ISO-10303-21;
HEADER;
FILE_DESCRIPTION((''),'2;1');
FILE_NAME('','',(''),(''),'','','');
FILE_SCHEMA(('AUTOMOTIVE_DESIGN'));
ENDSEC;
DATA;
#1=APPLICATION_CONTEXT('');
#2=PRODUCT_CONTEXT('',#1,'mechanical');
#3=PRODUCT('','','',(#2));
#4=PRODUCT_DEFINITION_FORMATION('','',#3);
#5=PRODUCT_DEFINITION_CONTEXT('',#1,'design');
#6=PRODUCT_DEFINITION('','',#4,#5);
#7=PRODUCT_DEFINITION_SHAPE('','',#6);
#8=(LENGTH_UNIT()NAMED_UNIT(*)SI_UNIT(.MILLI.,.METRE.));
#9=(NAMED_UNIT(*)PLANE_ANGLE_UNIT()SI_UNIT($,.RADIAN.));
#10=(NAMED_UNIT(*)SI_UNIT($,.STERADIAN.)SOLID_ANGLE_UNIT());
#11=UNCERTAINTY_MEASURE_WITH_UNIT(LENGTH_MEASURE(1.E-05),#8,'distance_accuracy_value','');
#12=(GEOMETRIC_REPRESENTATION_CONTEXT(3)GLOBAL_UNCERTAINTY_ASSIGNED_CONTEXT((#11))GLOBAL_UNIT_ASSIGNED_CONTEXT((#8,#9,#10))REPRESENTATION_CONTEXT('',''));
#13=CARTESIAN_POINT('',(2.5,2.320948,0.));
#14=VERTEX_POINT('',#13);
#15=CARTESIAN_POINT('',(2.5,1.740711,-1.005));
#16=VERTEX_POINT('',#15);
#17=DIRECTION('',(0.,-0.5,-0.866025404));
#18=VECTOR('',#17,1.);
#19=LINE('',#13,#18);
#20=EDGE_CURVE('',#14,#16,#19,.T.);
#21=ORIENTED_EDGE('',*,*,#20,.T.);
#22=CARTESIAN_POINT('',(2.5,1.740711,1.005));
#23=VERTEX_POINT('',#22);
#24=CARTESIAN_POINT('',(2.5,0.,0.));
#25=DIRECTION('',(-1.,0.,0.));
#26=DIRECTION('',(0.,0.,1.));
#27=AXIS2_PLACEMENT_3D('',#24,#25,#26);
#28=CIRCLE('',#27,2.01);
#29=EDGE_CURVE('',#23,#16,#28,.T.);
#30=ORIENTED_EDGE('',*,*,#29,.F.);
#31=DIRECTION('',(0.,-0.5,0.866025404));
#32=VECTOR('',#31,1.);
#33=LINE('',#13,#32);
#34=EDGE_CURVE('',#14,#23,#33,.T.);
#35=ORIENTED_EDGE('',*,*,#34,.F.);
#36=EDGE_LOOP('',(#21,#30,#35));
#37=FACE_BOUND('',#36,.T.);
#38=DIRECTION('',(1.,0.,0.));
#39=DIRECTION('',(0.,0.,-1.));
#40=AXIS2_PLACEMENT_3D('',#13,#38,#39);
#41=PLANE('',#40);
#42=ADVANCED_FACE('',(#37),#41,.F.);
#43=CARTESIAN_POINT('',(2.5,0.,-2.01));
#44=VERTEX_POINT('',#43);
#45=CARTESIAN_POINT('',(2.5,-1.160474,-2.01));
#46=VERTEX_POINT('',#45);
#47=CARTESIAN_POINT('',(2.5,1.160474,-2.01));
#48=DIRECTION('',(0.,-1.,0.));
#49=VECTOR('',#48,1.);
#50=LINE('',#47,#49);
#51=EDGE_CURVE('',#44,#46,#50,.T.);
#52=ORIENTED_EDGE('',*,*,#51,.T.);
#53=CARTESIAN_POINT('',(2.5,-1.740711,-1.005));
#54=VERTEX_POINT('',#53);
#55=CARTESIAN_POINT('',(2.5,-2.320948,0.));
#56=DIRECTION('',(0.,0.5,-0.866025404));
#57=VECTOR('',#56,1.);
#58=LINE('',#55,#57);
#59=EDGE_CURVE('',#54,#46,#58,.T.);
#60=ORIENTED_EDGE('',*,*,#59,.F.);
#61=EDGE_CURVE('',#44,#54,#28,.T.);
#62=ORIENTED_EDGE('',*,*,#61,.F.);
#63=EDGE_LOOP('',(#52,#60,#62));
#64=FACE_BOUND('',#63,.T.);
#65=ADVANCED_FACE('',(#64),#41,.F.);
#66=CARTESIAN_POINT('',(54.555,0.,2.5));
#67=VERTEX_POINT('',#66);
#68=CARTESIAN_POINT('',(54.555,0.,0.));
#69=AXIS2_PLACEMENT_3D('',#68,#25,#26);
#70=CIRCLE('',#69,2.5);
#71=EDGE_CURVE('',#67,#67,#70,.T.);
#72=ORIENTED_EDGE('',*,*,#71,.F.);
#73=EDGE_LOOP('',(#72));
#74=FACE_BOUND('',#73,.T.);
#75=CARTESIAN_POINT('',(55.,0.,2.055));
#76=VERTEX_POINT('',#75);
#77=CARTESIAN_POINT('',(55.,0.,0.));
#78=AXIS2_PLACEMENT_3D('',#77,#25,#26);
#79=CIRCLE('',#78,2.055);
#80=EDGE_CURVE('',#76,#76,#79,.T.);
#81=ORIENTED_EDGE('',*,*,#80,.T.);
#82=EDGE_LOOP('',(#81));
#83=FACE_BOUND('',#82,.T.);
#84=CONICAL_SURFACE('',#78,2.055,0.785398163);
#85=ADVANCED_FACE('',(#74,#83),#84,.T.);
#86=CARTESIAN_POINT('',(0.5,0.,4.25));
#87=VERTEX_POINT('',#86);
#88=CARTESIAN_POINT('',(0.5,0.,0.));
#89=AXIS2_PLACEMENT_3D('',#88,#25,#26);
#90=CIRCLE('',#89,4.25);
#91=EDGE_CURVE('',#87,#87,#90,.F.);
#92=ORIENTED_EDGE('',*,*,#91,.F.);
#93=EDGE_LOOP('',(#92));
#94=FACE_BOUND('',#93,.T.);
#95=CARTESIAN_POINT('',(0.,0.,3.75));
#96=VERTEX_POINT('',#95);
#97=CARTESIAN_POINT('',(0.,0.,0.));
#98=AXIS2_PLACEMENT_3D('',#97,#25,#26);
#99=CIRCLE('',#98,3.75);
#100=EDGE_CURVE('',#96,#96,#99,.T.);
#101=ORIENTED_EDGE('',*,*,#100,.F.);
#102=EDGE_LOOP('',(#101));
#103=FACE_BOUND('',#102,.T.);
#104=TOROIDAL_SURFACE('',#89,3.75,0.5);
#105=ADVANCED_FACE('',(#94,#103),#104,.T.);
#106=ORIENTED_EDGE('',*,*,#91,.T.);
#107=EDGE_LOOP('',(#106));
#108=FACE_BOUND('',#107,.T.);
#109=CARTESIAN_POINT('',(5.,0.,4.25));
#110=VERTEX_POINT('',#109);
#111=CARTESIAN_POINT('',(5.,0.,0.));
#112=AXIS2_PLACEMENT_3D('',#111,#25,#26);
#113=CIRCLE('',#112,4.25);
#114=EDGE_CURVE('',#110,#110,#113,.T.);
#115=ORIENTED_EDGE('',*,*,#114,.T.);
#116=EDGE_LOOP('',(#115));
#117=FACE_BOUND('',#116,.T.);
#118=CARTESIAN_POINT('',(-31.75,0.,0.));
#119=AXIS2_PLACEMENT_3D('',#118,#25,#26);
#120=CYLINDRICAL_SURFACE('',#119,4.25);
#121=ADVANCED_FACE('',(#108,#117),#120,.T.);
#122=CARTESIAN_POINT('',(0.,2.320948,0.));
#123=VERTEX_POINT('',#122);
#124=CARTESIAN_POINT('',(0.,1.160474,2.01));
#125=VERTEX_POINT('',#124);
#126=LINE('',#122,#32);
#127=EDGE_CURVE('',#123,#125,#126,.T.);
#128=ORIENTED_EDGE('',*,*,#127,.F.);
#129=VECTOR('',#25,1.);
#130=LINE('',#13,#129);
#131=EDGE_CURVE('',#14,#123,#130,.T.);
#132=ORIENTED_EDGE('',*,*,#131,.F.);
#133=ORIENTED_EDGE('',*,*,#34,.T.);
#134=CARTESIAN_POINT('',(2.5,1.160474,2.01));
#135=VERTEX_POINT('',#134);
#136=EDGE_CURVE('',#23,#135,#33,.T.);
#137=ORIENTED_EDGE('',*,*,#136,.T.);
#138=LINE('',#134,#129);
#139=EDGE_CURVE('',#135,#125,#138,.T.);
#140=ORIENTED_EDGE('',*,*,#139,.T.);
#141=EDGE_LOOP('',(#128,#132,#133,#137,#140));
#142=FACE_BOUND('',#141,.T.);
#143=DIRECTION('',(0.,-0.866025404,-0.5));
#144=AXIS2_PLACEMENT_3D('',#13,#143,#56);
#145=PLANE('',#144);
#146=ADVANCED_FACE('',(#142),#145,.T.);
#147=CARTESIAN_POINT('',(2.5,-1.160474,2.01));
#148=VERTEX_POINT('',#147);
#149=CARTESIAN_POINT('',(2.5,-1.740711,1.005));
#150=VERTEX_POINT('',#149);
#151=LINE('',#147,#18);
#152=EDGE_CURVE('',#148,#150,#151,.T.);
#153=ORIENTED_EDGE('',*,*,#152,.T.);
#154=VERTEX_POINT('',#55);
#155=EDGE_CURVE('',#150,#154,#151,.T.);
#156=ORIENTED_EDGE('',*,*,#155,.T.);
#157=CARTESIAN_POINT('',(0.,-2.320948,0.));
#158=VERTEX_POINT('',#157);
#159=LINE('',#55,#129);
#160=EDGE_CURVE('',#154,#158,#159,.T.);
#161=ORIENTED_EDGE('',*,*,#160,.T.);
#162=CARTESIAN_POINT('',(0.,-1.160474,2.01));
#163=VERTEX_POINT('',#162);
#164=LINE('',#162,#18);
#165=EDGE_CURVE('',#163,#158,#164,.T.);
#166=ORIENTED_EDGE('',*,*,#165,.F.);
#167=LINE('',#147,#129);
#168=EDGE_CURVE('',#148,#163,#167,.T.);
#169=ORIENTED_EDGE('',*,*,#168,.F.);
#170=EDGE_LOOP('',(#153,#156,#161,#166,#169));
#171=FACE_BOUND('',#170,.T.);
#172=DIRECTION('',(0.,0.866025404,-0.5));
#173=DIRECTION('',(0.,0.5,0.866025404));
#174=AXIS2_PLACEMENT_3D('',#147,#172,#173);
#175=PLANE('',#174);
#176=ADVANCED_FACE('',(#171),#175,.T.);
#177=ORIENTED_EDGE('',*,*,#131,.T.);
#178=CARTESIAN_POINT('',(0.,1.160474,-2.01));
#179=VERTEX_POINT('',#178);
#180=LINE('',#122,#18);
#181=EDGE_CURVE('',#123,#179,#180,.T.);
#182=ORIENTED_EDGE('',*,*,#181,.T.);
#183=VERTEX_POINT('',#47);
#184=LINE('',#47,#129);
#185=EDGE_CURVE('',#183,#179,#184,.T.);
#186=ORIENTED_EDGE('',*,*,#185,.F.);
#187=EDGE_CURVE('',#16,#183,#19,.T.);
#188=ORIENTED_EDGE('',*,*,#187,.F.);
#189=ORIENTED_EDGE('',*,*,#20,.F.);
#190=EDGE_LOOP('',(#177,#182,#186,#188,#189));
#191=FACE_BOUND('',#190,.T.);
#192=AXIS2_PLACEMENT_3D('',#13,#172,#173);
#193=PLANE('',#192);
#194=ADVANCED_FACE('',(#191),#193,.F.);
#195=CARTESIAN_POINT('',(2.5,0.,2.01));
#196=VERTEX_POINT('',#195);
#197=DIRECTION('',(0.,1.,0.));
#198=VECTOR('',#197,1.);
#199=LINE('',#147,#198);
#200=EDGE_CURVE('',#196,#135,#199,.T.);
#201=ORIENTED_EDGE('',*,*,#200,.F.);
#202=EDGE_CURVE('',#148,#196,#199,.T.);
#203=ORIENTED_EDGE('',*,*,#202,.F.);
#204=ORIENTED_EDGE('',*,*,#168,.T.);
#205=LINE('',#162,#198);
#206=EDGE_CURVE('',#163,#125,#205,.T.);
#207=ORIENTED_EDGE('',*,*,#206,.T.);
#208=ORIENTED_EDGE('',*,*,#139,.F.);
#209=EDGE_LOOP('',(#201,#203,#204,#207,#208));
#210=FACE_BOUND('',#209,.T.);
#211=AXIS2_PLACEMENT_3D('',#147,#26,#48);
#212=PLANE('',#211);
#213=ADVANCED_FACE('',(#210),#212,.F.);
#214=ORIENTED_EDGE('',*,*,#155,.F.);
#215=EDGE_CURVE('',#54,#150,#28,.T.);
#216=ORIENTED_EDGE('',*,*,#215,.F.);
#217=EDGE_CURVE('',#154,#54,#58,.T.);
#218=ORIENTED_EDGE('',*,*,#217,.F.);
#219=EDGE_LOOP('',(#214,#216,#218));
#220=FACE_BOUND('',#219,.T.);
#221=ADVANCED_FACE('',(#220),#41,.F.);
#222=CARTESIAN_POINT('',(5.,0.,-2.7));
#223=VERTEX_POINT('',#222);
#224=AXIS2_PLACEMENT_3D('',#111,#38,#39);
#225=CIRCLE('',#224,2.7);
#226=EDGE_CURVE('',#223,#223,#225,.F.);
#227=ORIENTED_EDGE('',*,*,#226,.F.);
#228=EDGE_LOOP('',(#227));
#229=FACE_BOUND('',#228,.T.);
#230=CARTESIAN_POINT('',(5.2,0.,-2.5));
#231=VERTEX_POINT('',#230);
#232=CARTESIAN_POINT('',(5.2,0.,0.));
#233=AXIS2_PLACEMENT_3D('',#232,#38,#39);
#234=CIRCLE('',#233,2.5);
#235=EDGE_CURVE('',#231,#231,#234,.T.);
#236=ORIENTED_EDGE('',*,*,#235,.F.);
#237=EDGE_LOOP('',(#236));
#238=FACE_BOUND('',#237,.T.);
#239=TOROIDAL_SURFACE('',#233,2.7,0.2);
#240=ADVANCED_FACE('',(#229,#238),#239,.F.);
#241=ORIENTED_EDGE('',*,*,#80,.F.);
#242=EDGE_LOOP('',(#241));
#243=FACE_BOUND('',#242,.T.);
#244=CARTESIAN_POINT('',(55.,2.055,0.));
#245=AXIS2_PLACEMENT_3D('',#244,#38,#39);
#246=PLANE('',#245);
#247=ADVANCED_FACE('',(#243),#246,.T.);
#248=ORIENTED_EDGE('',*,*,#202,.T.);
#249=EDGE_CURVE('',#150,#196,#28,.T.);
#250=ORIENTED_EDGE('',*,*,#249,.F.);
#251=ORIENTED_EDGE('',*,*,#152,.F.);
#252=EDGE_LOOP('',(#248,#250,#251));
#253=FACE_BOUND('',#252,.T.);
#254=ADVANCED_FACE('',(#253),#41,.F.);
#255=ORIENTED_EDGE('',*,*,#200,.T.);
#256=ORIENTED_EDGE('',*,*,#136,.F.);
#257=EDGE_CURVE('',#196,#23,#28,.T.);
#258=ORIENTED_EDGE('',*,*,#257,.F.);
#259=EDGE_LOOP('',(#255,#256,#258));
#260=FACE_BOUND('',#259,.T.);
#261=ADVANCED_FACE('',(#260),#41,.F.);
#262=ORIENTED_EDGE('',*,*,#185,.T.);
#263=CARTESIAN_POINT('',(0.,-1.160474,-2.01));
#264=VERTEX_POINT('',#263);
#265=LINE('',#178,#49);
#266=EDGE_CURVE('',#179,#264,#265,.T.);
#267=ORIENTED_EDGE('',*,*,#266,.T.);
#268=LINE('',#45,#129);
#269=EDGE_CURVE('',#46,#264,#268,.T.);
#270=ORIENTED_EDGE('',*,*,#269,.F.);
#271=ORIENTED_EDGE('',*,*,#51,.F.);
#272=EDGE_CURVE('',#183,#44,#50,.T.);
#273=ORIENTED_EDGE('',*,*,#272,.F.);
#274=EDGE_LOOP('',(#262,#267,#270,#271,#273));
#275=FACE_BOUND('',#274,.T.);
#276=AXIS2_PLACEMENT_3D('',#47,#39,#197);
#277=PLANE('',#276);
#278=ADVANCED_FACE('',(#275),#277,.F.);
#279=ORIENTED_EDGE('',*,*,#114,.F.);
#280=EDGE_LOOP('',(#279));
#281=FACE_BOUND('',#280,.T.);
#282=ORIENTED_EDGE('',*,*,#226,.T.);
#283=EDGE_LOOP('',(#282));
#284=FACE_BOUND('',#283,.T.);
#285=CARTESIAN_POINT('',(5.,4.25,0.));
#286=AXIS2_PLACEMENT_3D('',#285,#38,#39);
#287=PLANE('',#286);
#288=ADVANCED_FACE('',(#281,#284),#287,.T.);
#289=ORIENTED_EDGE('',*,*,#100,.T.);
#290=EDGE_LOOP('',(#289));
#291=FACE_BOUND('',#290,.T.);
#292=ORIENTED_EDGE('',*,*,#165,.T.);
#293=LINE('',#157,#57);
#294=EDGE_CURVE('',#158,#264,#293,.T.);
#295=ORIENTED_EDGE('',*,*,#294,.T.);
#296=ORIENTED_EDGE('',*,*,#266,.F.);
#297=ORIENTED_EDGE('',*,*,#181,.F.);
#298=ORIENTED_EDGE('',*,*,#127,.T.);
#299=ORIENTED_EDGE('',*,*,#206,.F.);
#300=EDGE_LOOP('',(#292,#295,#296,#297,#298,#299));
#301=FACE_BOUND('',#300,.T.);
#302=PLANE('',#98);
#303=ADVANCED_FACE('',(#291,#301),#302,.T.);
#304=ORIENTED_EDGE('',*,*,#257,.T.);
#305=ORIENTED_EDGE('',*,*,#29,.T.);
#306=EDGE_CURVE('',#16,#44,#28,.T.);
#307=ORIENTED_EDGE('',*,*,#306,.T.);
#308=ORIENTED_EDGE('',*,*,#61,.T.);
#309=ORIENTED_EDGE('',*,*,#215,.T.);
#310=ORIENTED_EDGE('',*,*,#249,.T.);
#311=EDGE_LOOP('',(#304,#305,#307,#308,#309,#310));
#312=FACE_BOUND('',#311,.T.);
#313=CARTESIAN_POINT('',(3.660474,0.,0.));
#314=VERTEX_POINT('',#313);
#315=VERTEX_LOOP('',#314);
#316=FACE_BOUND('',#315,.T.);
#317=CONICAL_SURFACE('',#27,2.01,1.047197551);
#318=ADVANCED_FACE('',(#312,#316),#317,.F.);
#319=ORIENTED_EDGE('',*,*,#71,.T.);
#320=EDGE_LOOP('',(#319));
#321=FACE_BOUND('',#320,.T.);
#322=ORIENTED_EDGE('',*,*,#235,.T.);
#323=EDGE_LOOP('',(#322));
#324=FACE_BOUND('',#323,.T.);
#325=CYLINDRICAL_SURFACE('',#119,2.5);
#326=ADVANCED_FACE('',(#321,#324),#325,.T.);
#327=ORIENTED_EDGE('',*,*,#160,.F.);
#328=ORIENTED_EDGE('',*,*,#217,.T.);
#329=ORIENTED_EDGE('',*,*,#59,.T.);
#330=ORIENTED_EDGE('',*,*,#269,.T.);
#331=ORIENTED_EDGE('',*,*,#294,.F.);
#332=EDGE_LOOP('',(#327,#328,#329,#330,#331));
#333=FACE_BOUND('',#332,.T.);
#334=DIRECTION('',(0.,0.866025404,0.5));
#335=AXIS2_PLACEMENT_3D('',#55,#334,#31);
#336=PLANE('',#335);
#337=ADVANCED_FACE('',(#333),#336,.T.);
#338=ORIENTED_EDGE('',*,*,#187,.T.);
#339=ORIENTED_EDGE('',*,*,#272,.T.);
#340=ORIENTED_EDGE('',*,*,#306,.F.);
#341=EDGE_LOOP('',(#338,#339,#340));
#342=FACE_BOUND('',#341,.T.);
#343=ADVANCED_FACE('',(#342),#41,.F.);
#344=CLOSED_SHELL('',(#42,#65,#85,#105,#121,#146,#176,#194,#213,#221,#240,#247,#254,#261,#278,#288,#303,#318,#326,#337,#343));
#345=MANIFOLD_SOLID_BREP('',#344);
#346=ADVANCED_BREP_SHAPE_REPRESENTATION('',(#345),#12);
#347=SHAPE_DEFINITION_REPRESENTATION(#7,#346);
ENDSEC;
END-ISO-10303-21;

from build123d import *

# Parameters (mm, degrees)
FILLET1_R   = 0.2
FILLET2_R   = 0.5
HEX_2_DEPTH = 2.5


with BuildPart() as part:
    # BodySke → Base-Revolve (revolve)
    with BuildSketch(Plane.XY):
        Polygon((0, 0), (0, 4.25), (5, 4.25), (5, 2.5), (54.555, 2.5), (55, 2.055), (55, 0), align=None)
    revolve(axis=Axis((-31.75, 0, 0), (1, 0, 0)))

    # Fillet1
    fillet1_edges = [part.edges().sort_by_distance(p)[0] for p in [
        (5, -2.5, 0),
    ]]
    fillet(fillet1_edges, radius=FILLET1_R)

    # Fillet2
    fillet2_edges = [part.edges().sort_by_distance(p)[0] for p in [
        (0, -4.25, 0),
    ]]
    fillet(fillet2_edges, radius=FILLET2_R)

    # Sketch2 → Hex-PreBroach (revolve, cut)
    with BuildSketch(Plane.XY):
        Polygon((0, 2.01), (2.5, 2.01), (3.660474041, 0), (0, 0), align=None)
    revolve(axis=Axis((0, 0, 0), (1, 0, 0)), mode=Mode.SUBTRACT)

    # Sketch3 → Hex 2 (cut)
    with BuildSketch(Plane(origin=(0, 0, 0), x_dir=(0, 0.5, 0.866025404), z_dir=(-1, 0, 0))):
        Polygon((1.160474041, 2.01), (-1.160474041, 2.01), (-2.320948082, 0), (-1.160474041, -2.01), (1.160474041, -2.01), (2.320948082, 0), align=None)
    extrude(amount=-HEX_2_DEPTH, mode=Mode.SUBTRACT)


solid = part.part
